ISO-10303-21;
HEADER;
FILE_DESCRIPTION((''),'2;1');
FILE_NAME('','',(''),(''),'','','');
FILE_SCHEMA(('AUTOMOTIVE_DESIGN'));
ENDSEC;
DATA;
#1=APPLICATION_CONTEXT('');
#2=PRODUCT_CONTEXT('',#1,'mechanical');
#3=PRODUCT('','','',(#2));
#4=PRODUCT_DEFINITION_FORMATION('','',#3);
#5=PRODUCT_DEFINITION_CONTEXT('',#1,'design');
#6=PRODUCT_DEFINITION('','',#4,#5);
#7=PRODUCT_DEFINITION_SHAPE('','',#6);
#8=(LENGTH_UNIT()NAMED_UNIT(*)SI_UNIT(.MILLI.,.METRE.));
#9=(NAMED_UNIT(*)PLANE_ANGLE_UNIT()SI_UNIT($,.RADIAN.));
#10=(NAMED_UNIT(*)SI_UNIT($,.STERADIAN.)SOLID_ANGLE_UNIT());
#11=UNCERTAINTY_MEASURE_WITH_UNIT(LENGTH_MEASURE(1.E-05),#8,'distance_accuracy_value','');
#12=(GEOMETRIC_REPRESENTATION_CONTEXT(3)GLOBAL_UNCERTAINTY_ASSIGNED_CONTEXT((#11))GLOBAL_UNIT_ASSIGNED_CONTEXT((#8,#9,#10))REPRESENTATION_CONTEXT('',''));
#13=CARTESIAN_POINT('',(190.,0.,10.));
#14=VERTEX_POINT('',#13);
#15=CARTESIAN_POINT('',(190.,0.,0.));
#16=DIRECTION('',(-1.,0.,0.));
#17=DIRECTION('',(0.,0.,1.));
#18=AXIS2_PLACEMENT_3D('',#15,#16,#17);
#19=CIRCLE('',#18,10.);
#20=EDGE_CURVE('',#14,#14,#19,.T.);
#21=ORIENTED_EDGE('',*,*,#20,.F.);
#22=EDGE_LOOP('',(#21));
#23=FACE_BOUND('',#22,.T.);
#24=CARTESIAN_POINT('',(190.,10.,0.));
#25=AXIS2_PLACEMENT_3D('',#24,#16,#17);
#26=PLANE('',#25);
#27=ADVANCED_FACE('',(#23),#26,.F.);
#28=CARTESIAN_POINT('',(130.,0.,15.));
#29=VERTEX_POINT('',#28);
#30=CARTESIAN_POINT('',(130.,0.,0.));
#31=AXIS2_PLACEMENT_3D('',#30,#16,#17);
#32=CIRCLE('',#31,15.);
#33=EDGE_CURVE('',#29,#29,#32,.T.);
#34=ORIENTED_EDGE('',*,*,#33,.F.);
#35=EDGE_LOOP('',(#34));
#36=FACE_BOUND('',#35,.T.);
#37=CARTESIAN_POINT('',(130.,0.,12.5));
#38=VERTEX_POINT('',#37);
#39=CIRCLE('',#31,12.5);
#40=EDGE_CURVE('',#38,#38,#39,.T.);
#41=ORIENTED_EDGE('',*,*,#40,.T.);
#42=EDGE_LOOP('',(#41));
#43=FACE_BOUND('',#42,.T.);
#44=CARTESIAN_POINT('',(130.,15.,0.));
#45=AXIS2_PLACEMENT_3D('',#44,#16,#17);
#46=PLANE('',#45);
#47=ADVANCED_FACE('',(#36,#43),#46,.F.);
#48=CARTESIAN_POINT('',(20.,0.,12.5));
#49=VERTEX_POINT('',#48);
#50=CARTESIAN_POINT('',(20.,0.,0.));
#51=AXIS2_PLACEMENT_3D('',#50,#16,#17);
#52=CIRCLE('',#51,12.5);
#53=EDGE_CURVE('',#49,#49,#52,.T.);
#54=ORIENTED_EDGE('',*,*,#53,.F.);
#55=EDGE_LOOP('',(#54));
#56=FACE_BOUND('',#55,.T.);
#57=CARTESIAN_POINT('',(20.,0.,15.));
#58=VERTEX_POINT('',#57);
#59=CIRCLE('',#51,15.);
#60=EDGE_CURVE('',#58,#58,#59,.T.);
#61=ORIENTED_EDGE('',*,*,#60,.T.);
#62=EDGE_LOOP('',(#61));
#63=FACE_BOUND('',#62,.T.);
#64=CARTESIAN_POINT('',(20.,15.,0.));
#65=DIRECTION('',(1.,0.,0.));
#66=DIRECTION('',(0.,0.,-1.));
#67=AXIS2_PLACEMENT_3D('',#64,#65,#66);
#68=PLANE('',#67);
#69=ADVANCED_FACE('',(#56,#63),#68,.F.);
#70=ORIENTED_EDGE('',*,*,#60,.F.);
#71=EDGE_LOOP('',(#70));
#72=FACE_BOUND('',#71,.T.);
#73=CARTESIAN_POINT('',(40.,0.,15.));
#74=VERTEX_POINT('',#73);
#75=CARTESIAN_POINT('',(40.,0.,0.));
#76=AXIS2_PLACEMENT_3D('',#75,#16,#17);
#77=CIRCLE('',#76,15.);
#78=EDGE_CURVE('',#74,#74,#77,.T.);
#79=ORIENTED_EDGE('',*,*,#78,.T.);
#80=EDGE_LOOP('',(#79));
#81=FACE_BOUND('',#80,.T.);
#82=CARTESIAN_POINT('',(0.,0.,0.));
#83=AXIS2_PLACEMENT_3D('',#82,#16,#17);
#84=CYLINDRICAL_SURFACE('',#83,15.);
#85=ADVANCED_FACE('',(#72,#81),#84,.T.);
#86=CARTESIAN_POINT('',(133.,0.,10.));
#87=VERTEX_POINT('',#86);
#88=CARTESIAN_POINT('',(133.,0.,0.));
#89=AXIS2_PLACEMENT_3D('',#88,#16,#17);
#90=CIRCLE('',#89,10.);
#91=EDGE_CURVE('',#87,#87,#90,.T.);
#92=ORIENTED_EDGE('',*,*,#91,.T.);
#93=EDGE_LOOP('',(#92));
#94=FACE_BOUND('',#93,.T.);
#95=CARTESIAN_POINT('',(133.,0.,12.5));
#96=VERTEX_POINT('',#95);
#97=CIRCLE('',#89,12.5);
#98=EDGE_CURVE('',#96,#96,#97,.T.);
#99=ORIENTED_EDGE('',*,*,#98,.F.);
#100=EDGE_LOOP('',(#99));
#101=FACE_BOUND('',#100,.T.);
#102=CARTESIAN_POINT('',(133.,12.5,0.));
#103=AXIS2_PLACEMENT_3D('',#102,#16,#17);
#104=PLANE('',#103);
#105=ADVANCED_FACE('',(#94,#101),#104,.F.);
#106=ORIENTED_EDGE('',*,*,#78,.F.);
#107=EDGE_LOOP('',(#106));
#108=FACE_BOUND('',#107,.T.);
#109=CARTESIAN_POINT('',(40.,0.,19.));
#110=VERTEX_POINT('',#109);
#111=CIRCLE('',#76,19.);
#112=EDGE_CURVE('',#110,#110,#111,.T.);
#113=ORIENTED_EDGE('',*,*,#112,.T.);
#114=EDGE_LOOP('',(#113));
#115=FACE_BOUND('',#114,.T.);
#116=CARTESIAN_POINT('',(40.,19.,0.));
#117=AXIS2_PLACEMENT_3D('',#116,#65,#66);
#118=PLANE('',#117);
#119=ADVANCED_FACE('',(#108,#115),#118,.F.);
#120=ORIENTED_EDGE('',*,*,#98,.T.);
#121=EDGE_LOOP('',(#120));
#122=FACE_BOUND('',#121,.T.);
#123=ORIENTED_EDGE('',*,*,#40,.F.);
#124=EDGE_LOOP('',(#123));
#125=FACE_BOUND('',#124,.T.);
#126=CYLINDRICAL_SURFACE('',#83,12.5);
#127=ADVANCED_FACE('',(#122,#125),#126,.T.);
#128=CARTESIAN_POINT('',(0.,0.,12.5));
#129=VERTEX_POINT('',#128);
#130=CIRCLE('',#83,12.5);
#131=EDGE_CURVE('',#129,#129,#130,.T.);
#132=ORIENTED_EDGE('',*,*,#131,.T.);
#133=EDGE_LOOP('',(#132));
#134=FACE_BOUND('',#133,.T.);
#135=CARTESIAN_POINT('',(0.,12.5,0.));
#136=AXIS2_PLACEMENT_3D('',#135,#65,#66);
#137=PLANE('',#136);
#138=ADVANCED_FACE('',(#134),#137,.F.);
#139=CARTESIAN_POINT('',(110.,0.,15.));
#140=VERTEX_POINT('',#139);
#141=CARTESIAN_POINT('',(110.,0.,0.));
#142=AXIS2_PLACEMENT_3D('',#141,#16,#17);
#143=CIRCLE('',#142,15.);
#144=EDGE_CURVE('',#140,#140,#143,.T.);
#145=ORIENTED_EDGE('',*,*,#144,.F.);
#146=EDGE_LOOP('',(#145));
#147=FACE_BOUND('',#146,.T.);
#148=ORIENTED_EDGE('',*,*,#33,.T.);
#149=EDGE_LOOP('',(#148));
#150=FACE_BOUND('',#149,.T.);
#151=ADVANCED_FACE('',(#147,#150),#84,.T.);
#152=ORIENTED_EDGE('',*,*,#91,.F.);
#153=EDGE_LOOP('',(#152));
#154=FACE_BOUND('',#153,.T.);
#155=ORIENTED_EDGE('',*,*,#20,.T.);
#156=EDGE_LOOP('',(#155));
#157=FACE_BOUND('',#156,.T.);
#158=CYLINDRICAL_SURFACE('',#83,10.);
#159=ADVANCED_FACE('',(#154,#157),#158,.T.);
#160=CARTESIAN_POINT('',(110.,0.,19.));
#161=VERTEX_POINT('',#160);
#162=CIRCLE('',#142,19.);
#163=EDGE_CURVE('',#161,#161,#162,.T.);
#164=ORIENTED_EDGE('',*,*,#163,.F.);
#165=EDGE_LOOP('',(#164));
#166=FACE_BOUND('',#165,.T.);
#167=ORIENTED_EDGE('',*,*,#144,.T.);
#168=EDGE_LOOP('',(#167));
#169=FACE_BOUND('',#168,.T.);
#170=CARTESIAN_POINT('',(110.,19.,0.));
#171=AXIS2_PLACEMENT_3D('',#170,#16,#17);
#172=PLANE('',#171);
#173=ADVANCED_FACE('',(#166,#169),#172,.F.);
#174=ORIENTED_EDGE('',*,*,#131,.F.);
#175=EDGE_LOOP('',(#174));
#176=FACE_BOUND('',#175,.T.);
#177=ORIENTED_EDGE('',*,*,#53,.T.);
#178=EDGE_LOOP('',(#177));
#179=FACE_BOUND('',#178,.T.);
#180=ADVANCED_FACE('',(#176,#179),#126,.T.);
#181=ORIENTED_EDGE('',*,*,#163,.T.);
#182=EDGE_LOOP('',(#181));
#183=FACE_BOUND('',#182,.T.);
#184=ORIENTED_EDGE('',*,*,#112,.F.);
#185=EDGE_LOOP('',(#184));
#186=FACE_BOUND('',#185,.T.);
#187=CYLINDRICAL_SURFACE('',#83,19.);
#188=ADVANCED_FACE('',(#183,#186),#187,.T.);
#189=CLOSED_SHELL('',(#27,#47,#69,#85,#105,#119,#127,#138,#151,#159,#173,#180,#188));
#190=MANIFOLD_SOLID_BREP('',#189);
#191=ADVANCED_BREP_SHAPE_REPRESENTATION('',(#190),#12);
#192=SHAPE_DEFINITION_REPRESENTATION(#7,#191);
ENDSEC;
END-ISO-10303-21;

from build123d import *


with BuildPart() as part:
    # Эскиз2 → Повернуть11 (revolve)
    with BuildSketch(Plane.XY):
        Polygon((0, 12.5), (20, 12.5), (20, 15), (40, 15), (40, 19), (110, 19), (110, 15), (130, 15), (130, 12.5), (133, 12.5), (133, 10), (190, 10), (190, 0), (0, 0), align=None)
    revolve(axis=Axis((0, 0, 0), (1, 0, 0)))


solid = part.part
